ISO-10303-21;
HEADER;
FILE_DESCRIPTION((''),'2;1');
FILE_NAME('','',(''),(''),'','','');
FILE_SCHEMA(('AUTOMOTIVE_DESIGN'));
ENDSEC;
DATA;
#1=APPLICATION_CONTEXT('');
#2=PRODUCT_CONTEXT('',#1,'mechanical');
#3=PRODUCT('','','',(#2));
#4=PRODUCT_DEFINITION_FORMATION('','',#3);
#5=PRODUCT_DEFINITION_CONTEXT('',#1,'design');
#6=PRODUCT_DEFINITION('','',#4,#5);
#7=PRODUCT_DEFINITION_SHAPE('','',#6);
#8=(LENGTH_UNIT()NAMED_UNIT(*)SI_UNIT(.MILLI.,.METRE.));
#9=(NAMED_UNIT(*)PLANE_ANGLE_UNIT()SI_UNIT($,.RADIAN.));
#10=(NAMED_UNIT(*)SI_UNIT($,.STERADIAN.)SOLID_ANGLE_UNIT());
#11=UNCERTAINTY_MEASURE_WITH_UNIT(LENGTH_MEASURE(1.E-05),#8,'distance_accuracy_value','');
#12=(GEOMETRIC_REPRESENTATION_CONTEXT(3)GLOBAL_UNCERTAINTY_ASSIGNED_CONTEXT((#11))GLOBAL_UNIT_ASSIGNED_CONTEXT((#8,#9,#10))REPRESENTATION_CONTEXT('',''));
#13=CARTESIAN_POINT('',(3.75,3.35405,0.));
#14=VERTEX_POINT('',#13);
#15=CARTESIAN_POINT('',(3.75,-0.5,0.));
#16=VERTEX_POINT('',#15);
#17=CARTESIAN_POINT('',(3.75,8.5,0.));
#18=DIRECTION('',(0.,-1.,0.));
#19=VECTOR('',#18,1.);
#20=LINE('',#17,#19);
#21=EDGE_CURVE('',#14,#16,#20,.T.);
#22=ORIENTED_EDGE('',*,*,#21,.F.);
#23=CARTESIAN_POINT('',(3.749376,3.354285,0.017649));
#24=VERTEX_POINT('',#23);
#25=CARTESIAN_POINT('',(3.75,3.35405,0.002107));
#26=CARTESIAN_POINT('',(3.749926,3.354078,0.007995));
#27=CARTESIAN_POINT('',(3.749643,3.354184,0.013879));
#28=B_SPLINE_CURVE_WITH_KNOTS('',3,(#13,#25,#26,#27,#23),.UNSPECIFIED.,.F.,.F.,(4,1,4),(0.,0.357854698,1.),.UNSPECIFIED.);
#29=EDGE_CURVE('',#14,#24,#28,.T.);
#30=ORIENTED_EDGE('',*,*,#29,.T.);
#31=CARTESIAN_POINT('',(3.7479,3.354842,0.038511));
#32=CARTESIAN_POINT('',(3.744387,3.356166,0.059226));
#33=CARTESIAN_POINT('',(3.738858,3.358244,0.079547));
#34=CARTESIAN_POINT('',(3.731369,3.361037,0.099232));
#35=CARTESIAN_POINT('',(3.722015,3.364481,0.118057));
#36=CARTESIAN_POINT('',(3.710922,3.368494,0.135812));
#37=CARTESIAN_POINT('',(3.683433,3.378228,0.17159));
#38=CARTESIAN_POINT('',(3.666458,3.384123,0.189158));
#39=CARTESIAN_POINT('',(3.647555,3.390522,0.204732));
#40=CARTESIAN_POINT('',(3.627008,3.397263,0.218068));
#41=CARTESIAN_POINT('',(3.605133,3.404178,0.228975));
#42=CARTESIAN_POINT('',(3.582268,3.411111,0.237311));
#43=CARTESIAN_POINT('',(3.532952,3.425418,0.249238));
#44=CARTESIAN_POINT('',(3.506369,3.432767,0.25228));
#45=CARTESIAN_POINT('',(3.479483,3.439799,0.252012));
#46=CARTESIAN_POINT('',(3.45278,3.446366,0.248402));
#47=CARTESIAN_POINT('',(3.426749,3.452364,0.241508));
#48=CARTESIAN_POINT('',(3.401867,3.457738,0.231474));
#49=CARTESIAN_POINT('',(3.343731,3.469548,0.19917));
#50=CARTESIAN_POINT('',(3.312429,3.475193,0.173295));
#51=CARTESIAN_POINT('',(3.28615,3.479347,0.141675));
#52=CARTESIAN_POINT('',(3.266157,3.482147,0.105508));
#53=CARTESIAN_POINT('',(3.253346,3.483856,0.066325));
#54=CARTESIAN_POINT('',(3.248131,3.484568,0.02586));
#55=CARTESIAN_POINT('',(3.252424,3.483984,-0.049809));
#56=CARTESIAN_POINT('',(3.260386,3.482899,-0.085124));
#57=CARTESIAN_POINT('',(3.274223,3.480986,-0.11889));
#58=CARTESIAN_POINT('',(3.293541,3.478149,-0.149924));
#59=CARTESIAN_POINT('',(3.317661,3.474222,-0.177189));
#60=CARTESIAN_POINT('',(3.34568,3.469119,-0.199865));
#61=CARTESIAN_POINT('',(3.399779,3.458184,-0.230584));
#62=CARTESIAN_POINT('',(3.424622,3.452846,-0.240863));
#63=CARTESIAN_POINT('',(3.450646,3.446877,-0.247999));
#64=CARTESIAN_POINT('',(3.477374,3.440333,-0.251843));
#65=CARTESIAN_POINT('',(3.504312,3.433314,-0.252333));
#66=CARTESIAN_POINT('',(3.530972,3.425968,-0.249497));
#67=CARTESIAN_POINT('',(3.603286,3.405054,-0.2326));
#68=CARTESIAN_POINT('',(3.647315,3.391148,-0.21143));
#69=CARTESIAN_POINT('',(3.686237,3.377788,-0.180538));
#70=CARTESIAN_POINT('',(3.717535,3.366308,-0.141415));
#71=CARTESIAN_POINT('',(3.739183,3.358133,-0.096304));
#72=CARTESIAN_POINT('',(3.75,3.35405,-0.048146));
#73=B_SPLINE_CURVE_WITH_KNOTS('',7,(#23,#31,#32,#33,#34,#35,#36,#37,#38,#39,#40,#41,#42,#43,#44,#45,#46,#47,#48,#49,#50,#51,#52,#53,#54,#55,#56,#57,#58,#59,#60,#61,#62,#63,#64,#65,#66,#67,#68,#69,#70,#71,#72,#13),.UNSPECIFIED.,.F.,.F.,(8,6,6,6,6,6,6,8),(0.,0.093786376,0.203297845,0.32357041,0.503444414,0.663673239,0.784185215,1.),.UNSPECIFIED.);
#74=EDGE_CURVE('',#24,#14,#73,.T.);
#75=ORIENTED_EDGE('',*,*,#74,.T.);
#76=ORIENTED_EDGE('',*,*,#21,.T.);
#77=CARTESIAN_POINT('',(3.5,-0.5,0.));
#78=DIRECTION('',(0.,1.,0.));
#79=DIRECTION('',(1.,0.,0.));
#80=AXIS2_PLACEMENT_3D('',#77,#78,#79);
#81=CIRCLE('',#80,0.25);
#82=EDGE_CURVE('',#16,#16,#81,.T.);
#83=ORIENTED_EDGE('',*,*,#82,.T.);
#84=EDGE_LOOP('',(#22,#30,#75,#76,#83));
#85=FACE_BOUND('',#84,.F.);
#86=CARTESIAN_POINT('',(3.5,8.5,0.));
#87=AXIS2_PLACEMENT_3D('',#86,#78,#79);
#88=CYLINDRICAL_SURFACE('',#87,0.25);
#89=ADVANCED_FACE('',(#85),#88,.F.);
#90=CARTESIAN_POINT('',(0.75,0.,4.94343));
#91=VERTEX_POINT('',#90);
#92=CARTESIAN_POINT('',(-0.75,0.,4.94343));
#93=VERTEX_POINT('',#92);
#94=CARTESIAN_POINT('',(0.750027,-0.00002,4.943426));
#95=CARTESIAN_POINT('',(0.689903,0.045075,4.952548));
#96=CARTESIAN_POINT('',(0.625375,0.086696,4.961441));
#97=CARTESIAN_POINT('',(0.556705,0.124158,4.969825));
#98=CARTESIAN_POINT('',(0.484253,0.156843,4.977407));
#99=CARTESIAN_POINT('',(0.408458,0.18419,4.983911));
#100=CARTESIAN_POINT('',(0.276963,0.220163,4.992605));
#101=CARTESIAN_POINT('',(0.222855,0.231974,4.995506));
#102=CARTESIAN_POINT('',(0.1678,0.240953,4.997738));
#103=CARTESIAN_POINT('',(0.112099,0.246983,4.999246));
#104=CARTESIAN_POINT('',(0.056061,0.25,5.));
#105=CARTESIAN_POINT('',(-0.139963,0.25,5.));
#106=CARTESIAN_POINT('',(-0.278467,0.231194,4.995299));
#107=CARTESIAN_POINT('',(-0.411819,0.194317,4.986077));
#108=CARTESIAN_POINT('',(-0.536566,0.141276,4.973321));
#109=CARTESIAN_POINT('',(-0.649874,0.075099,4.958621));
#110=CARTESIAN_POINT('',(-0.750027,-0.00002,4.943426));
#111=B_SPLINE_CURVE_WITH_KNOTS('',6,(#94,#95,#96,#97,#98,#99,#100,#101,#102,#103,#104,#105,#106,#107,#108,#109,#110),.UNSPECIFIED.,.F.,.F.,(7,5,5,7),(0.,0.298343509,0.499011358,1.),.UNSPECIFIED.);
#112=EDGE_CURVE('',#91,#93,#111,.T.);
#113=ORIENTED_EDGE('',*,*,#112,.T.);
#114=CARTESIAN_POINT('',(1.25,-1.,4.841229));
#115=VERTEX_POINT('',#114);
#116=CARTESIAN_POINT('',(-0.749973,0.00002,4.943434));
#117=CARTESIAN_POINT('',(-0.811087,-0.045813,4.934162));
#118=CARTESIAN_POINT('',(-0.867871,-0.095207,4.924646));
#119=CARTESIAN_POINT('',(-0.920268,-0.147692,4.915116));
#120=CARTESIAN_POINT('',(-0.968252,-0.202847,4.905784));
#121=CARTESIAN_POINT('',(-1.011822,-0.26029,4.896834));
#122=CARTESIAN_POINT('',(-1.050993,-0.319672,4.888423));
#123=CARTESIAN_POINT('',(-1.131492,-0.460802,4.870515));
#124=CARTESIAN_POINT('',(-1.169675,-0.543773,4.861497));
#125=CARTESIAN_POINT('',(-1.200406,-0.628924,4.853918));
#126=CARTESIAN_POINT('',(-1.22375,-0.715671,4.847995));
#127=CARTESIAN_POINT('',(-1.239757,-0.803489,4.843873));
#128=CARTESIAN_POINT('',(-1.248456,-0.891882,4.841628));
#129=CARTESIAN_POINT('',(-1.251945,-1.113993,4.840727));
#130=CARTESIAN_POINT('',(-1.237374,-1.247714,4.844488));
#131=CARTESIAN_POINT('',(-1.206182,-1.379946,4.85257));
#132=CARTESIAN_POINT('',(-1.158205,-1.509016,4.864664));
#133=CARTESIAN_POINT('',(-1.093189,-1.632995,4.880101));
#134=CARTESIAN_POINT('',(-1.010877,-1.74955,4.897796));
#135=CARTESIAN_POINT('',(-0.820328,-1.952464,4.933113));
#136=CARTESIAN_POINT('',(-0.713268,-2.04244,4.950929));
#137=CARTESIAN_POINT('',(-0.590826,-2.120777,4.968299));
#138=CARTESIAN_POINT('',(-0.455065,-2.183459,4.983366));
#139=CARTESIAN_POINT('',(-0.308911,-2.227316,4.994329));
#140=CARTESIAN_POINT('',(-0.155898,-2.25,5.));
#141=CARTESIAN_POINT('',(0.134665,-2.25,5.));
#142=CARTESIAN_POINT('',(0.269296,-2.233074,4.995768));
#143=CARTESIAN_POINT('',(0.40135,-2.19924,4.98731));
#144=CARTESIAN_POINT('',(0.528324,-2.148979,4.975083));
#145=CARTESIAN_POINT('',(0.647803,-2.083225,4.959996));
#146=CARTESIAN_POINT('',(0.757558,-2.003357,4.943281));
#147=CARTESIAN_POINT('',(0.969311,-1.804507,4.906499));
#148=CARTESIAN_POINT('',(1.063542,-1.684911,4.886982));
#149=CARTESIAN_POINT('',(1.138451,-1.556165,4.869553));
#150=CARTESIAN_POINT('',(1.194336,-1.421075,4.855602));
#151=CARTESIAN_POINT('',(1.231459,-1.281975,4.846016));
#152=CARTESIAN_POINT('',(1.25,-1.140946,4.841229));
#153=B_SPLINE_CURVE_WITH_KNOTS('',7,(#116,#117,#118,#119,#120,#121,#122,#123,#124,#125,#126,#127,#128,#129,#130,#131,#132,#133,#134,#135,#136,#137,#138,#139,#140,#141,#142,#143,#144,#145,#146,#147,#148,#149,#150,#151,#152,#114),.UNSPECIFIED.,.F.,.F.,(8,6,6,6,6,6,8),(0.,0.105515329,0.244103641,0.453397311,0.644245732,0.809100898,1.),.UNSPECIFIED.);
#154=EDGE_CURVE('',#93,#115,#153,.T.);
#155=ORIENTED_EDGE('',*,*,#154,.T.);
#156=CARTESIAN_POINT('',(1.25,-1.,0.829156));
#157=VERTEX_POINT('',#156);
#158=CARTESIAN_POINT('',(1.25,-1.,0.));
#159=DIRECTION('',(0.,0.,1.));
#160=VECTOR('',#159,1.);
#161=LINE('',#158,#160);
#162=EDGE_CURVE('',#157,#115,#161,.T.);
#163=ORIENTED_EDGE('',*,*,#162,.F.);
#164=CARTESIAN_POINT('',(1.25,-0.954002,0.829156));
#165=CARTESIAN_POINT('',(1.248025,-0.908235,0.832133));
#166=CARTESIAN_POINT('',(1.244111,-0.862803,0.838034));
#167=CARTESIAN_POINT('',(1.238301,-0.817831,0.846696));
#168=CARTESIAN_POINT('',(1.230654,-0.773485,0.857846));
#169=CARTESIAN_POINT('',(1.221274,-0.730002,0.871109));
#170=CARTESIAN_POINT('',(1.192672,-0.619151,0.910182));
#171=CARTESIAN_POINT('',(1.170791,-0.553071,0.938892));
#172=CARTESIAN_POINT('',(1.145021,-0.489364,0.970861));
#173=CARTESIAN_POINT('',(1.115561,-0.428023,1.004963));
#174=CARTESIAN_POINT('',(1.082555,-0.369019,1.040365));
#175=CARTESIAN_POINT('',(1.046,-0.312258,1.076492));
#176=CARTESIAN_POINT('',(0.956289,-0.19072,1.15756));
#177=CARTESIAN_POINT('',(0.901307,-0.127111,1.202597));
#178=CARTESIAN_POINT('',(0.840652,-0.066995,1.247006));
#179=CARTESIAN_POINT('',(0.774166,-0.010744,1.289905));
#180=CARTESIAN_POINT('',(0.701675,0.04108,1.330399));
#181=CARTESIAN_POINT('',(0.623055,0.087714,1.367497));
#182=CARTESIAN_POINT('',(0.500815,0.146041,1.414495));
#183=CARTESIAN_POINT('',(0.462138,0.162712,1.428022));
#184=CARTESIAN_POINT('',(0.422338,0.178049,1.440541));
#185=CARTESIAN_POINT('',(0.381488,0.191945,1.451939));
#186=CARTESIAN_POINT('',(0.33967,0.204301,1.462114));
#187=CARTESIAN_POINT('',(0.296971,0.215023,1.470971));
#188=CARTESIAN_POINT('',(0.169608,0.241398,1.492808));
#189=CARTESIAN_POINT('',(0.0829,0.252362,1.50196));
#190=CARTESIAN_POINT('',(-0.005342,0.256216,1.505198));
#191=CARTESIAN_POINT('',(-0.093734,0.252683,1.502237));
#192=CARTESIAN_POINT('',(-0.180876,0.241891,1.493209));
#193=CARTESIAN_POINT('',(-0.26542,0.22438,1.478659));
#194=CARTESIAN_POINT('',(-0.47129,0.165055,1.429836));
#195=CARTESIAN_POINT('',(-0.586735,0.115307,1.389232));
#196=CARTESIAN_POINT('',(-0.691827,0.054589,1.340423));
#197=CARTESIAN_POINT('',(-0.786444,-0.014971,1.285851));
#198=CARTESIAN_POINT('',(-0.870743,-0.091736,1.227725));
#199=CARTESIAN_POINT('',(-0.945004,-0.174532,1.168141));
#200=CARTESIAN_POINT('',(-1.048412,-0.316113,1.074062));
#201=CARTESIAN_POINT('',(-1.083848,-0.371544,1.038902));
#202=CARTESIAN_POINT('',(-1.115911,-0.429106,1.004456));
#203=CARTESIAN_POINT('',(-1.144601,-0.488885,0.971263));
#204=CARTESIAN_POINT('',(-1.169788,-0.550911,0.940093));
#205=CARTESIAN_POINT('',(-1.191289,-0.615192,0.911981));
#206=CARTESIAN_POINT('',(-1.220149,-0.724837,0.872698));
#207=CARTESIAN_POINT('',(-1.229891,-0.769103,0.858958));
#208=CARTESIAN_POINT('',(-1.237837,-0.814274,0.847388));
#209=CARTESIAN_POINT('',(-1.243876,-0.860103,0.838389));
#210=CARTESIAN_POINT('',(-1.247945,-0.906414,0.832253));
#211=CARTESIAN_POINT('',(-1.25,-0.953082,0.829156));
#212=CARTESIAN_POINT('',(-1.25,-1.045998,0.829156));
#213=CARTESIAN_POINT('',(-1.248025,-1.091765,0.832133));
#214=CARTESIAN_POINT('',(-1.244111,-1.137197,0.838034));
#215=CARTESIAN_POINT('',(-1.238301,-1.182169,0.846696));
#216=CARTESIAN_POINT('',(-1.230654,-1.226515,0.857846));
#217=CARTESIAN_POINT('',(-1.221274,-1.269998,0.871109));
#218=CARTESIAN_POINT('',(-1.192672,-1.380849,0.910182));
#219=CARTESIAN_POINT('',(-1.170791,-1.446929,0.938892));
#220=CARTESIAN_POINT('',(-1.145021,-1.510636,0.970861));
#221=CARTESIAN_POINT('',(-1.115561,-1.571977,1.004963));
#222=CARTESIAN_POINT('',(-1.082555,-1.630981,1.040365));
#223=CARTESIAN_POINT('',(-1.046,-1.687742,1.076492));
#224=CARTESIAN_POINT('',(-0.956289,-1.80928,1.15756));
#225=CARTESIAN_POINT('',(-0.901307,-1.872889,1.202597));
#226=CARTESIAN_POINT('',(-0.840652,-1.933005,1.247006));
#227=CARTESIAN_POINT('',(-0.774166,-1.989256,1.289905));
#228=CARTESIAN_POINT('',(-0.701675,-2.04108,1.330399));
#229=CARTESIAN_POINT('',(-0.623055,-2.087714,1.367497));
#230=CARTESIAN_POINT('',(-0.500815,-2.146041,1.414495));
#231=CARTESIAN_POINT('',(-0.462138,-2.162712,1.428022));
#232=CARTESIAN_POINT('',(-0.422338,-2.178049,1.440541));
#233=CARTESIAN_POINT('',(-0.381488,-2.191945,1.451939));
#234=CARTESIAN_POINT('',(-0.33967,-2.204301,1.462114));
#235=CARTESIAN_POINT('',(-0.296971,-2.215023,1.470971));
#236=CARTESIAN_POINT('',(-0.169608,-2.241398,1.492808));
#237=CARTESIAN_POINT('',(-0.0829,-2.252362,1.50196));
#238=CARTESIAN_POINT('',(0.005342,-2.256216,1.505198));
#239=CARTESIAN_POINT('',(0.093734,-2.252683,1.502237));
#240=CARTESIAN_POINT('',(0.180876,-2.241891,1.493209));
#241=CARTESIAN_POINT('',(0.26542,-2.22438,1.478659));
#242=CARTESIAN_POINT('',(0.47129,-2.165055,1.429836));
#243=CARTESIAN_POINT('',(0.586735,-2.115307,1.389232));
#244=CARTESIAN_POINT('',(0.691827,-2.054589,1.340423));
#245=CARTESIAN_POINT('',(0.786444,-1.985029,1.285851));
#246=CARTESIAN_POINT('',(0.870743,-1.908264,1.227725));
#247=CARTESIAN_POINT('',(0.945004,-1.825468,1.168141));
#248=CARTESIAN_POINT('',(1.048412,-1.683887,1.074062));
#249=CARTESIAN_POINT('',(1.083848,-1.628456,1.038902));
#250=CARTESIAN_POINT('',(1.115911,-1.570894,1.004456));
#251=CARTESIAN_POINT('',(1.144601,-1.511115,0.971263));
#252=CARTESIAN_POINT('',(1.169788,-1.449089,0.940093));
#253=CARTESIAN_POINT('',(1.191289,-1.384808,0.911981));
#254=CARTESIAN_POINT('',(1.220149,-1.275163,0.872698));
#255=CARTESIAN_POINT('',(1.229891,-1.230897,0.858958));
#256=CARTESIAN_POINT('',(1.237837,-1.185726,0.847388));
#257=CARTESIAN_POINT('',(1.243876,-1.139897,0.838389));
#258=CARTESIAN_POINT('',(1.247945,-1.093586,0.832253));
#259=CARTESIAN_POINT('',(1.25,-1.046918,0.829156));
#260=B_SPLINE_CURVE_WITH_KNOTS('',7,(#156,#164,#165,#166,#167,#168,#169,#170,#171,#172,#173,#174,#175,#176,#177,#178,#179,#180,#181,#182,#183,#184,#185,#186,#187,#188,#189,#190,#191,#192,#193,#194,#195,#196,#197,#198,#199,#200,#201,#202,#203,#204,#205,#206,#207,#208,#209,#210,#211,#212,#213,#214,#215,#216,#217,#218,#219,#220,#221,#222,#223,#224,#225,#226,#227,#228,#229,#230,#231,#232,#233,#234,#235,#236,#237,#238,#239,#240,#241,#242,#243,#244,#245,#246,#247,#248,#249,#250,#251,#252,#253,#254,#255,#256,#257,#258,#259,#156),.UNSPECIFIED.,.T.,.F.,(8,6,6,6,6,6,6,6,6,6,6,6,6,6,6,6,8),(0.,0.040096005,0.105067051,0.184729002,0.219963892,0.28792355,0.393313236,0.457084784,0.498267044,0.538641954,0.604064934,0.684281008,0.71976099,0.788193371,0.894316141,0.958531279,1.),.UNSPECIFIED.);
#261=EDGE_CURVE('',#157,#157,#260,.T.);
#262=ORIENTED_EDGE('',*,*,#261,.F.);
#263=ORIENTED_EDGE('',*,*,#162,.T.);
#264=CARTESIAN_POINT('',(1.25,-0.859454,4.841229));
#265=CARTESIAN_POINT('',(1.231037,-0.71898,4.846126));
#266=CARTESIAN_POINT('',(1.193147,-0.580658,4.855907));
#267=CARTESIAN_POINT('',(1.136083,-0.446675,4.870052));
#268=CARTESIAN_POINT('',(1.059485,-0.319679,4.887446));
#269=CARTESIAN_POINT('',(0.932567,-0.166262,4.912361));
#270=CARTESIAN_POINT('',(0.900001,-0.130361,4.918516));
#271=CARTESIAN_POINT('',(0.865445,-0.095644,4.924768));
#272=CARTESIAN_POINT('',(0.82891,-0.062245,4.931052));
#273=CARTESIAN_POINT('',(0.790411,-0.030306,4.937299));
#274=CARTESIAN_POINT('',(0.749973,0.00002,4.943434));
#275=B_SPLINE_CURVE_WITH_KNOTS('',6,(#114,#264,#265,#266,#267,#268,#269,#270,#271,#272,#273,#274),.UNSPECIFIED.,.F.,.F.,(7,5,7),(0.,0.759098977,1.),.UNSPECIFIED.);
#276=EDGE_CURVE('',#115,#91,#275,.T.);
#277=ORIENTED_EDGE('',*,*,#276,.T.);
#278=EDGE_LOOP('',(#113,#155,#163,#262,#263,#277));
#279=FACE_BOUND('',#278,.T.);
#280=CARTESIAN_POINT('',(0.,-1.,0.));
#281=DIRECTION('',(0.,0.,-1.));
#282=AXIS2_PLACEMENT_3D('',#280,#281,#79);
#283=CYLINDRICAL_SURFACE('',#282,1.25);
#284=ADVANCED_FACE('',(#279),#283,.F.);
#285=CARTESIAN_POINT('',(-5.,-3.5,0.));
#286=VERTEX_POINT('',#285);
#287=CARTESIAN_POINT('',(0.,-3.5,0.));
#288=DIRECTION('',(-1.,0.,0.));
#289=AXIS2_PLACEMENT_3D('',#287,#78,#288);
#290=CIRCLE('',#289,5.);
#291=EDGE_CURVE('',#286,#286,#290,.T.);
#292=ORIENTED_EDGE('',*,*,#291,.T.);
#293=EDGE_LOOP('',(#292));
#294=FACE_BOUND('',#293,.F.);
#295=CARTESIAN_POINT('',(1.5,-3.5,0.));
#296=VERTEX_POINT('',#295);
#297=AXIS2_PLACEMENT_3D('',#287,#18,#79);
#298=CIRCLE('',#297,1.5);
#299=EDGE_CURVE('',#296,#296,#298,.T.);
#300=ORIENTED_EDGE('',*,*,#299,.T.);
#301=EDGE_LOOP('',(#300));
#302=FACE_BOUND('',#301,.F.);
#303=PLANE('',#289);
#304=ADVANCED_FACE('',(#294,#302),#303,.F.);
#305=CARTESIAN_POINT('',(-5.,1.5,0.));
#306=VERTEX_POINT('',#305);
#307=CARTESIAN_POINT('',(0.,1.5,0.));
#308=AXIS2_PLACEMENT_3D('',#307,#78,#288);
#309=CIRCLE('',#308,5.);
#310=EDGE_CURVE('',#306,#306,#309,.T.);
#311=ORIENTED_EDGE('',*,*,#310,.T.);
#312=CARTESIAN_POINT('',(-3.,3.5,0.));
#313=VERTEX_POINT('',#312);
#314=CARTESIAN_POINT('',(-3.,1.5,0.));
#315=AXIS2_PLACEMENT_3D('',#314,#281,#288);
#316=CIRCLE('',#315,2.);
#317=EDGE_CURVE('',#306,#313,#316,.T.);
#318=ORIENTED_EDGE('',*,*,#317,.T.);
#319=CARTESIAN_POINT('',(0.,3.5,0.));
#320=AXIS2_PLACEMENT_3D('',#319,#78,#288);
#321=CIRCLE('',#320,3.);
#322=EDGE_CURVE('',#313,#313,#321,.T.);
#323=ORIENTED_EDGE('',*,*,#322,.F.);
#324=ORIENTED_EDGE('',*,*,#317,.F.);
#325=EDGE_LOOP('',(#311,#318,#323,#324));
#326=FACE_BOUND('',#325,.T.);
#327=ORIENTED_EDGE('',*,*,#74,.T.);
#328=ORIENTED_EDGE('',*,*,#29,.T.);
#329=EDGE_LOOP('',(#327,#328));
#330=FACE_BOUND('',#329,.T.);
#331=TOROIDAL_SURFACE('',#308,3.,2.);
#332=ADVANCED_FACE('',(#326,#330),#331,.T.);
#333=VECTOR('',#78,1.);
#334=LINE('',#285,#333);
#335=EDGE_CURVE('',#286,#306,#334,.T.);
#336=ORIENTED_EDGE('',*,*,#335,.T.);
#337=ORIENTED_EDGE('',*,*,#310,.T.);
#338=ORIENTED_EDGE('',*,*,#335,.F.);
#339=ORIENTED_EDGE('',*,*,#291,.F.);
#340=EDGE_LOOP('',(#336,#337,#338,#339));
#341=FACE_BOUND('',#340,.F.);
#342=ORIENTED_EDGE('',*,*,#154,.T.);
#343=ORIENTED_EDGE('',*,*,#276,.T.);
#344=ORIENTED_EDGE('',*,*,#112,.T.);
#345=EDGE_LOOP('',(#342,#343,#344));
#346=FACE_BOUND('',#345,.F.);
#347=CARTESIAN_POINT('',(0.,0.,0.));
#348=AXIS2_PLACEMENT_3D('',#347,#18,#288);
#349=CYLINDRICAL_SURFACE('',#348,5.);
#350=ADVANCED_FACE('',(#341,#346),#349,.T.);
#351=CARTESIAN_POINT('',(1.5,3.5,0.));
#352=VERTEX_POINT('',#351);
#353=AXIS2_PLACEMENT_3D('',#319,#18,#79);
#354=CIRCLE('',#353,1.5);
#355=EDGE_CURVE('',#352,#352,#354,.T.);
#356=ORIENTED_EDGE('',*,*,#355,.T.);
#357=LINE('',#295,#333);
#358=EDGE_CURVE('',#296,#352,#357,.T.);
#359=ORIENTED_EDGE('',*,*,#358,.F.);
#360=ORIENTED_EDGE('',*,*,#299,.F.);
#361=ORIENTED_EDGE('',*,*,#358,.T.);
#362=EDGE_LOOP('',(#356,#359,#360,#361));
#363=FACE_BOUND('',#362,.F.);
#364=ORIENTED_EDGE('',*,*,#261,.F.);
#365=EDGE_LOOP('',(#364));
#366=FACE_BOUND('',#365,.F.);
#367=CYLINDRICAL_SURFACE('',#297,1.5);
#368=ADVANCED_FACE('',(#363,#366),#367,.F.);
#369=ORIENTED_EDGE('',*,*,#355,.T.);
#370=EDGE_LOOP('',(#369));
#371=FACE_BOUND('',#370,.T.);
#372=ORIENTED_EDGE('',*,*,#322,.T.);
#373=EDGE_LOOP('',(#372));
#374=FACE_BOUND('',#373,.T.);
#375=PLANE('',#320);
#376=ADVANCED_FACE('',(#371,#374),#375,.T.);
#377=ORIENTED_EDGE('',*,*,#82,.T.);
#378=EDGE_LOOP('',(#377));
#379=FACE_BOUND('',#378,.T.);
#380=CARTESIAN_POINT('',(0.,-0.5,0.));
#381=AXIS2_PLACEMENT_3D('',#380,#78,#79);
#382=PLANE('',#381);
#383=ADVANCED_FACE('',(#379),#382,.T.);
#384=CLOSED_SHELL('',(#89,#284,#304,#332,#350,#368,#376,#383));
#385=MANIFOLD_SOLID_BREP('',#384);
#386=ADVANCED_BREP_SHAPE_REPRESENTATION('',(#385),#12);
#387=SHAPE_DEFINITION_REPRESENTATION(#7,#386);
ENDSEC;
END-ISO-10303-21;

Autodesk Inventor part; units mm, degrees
ref_plane "YZ Plane" through (0, 0, 0) normal (1, 0, 0) x (0, 1, 0)
ref_plane "XZ Plane" through (0, 0, 0) normal (0, 1, 0) x (-1, 0, 0)
sketch "Sketch1" plane through (0, 0, 0) normal (0, 1, 0) x (-1, 0, 0)
  circle A0 centre (0, 0) radius 5
  dimension "Diameter" = 10
extrude "Extrusion1" add sketch "Sketch1" along normal mid plane 7
fillet "Fillet1" radius 2 1 edges at (5, 3.5, 0)
sketch "Sketch2" plane through (0, -3.5, 0) normal (0, -1, 0) x (1, 0, 0)
  circle A0 centre (0, 0) radius 1.5
  dimension "d4" = 3
extrude "Extrusion2" cut sketch "Sketch2" against normal through all
sketch "Sketch3" plane through (0, 0, 0) normal (0, 0, 1) x (1, 0, 0)
  circle A0 centre (0, -1) radius 1.25
  line L0 (-5, -3.5) -> (5, -3.5) projected
  point P0 (0, 0)
  dimension "d7" = 2.5
  dimension "d8" = 2.5
extrude "Extrusion3" cut sketch "Sketch3" along normal blind 7
ref_plane "Work Plane1" through (0, 8.5, 0) normal (0, 1, 0) x (1, 0, 0)
sketch "Sketch4" plane through (0, 8.5, 0) normal (0, 1, 0) x (1, 0, 0)
  circle A0 centre (3.5, 0) radius 0.25
  point P0 (0, 0)
  dimension "d12" = 0.5
  dimension "d13" = 3.5
extrude "Extrusion4" cut sketch "Sketch4" against normal blind 9
thread "Thread1" size "M3x0.5" class "6H" standard "ANSI Metric M Profile" length 5
properties part number "Lower Lock Cap" material "Mild Steel S355 J2"
